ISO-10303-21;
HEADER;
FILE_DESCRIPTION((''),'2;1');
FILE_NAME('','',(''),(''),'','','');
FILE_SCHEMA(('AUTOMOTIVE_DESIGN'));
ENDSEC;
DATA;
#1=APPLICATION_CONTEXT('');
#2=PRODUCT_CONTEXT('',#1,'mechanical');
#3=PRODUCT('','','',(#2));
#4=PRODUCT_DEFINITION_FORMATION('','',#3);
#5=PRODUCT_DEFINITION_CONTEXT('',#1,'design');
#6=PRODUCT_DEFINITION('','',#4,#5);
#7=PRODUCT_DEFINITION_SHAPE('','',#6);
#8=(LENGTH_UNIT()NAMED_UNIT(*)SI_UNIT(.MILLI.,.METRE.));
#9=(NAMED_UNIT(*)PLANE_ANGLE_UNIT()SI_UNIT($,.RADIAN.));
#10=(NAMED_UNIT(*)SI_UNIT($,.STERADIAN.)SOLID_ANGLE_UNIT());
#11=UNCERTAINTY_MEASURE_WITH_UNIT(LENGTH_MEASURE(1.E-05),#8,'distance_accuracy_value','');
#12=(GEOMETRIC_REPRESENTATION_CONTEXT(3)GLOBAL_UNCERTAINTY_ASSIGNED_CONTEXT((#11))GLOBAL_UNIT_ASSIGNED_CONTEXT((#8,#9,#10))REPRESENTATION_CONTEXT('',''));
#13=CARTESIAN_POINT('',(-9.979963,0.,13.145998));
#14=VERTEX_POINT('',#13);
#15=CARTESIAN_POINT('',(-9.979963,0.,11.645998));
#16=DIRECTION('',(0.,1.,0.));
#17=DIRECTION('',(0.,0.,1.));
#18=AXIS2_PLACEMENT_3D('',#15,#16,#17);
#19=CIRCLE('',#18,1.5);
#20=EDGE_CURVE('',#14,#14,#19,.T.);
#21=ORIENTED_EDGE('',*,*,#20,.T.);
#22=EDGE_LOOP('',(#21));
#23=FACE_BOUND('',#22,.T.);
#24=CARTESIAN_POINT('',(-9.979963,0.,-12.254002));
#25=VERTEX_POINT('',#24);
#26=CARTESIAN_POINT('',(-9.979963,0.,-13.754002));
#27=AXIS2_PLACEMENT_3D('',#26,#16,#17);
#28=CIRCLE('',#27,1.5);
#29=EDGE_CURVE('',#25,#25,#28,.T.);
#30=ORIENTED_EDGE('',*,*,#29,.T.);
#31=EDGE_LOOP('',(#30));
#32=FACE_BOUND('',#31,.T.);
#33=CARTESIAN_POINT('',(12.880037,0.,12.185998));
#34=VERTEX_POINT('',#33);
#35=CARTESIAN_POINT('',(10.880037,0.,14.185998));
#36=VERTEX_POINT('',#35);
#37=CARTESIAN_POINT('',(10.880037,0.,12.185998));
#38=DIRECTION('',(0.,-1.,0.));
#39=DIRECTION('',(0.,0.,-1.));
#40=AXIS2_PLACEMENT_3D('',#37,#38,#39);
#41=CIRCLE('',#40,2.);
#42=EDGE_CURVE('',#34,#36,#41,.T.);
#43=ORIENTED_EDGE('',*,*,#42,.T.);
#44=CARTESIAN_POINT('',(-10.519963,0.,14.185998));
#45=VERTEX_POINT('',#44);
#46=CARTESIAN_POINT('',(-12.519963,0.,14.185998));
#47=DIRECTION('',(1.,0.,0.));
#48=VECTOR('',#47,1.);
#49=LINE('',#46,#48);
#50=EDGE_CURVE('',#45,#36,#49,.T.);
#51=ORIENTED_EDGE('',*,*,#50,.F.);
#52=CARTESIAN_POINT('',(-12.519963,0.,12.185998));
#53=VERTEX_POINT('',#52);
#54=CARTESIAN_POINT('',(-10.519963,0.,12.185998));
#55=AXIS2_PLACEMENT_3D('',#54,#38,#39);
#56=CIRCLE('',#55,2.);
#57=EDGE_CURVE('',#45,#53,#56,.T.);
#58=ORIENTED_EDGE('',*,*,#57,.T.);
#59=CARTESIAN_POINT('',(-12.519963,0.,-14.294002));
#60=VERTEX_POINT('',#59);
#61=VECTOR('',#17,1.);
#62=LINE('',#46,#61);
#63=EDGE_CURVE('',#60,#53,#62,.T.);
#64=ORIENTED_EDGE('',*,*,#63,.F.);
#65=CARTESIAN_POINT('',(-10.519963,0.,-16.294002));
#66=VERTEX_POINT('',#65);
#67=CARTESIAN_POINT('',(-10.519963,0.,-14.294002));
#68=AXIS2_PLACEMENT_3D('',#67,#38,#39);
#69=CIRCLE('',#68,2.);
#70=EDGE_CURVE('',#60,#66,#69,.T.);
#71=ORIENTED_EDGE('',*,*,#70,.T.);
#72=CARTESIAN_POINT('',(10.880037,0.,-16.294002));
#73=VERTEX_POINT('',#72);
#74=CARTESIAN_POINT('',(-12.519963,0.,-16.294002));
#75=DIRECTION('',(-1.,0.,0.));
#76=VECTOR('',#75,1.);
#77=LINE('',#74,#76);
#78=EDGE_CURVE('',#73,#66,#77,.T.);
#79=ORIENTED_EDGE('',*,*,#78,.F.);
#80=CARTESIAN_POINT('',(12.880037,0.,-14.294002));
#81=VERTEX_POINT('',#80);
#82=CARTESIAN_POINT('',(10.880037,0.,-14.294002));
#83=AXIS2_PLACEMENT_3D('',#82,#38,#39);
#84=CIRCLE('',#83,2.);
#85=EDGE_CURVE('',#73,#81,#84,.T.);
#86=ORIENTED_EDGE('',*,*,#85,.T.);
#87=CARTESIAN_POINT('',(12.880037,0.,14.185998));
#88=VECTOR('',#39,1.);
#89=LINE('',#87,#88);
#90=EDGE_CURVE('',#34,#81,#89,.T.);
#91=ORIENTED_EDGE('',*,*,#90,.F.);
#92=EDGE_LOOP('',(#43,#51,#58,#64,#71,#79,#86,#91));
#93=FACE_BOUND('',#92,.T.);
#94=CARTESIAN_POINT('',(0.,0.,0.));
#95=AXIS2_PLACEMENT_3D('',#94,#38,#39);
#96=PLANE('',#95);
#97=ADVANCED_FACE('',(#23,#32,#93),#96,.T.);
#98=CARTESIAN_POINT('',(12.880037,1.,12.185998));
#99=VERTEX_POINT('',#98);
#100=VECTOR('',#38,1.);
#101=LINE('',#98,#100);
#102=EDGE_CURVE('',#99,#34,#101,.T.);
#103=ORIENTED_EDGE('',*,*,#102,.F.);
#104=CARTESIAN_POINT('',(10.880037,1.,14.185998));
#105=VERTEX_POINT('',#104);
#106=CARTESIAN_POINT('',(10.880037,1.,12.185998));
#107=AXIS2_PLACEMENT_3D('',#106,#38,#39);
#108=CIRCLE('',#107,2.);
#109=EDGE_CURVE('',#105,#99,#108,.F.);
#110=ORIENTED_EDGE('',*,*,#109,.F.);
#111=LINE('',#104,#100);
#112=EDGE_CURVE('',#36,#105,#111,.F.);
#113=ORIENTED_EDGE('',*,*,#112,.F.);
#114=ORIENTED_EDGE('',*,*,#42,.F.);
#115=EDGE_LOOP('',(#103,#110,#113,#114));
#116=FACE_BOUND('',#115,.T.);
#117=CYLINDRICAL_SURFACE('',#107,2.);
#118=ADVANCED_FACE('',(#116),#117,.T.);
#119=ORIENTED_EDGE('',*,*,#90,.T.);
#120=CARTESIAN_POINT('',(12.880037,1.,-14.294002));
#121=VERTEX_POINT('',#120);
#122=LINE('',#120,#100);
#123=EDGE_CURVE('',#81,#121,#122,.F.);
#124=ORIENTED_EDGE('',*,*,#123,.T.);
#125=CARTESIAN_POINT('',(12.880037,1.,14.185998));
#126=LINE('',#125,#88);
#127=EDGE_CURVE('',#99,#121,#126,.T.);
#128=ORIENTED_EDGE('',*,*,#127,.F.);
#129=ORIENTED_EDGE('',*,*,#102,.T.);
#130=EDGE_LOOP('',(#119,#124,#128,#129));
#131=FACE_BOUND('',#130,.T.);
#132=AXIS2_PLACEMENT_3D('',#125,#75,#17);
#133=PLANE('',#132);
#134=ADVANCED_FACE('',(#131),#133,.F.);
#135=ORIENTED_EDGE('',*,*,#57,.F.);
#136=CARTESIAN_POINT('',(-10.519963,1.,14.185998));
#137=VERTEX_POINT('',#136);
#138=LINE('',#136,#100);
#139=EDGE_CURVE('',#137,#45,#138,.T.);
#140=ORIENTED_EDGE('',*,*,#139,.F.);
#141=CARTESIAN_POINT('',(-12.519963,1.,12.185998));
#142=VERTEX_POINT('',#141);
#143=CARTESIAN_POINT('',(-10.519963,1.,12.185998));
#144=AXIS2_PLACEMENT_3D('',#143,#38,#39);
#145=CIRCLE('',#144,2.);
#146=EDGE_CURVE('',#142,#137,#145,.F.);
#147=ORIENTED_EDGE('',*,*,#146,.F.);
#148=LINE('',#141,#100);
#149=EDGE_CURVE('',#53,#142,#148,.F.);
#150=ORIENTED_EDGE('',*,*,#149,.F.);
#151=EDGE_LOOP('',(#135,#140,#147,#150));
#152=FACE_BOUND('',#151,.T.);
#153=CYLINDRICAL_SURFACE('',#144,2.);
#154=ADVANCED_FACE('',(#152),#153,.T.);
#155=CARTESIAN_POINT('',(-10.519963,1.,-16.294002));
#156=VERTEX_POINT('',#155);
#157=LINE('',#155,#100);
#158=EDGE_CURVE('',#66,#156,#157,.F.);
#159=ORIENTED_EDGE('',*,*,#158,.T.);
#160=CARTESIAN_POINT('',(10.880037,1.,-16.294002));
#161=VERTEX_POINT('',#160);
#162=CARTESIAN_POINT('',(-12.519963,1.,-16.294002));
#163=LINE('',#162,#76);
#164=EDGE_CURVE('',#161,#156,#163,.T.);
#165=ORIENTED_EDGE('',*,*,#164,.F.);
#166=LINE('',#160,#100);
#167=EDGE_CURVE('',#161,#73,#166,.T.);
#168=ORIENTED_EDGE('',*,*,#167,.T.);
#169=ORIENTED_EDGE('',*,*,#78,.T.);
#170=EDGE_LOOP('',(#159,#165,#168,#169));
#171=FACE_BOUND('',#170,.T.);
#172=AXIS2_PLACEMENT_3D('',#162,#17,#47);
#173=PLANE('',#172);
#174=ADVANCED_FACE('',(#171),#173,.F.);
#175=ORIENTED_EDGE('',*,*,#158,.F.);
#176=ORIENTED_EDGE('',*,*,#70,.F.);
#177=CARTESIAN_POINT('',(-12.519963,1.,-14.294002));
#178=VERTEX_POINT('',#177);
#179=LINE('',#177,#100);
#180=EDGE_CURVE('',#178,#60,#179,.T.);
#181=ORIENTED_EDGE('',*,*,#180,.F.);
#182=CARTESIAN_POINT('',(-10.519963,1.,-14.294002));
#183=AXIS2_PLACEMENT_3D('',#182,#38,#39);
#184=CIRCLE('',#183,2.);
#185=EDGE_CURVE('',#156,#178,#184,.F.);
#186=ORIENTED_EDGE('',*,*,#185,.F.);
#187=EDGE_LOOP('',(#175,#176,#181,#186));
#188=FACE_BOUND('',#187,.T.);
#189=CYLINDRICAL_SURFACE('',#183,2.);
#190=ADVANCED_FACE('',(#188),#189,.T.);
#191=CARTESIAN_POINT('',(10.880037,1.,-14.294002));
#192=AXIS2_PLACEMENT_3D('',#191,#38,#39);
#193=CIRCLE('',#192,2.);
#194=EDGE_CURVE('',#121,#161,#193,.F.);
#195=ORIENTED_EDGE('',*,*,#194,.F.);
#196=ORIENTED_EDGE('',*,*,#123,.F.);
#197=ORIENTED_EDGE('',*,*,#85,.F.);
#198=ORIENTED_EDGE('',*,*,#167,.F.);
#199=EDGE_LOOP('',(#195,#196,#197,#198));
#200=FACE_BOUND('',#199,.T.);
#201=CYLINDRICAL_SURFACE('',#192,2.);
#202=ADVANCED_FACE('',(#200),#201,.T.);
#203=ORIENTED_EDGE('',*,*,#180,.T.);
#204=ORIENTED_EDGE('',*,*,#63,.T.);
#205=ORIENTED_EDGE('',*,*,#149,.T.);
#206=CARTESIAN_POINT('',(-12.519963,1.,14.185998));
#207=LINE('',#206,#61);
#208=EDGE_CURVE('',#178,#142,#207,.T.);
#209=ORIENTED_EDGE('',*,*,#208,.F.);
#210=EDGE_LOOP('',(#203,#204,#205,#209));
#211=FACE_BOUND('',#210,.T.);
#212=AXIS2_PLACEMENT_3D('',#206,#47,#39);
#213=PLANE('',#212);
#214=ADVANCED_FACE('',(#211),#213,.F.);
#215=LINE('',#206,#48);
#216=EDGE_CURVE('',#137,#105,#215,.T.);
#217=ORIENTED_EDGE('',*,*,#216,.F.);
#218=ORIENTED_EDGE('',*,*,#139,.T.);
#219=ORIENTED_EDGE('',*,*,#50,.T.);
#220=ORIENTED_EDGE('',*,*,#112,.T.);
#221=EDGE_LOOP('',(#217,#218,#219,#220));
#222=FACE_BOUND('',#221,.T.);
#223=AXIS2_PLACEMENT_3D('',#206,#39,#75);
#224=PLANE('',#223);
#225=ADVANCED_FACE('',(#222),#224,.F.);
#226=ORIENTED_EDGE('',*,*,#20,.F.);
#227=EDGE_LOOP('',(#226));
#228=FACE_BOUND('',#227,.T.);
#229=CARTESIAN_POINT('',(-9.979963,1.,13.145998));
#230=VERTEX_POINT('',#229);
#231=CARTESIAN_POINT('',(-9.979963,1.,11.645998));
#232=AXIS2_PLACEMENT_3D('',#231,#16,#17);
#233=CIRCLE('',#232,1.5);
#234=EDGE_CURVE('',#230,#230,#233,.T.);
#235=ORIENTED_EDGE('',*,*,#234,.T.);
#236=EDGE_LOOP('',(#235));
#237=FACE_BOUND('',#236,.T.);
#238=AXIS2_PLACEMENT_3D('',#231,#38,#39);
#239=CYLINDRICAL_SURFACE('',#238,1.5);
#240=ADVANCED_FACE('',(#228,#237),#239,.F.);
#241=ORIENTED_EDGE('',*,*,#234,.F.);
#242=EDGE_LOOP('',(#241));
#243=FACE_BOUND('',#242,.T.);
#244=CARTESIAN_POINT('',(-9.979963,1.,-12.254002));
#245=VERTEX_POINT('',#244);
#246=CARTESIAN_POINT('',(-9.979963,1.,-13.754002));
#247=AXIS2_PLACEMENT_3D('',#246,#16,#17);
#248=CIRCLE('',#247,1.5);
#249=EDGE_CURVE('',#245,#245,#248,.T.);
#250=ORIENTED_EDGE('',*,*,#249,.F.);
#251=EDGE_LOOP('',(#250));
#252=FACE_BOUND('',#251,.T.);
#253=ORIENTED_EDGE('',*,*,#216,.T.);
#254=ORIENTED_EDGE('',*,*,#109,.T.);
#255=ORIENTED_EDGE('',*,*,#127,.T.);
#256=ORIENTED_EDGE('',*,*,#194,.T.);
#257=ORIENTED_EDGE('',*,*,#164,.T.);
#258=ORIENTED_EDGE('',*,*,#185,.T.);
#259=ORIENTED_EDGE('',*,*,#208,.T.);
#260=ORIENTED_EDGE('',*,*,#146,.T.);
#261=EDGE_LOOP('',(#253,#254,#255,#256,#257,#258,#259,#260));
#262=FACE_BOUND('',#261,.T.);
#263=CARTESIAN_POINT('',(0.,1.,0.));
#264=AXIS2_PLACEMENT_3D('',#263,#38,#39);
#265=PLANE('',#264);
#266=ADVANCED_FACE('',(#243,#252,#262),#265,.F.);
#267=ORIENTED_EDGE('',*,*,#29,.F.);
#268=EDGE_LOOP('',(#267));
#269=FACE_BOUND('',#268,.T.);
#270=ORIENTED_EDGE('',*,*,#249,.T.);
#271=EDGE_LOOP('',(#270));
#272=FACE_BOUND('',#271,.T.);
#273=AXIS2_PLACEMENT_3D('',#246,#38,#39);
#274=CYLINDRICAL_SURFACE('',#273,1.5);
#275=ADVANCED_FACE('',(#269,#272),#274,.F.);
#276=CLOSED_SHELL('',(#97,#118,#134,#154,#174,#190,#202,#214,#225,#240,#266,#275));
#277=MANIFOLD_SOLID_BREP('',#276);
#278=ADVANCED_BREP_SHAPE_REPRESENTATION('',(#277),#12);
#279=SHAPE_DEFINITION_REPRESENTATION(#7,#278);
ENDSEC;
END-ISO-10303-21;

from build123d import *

# Parameters (mm, degrees)
SKETCH1_W           = 25.4
SKETCH1_H           = 30.48
SKETCH1_R           = 1.5
BOSS_EXTRUDE1_DEPTH = 1
FILLET1_R           = 2
FILLET2_R           = 2
FILLET3_R           = 2
FILLET4_R           = 2


with BuildPart() as part:
    # Sketch1 → Boss-Extrude1 (new body)
    with BuildSketch(Plane(origin=(0, 0, 0), x_dir=(1, 0, 0), z_dir=(0, 1, 0))):
        with Locations((0.180037034, 1.054001786)):
            Rectangle(SKETCH1_W, SKETCH1_H)
        with Locations((-9.979962966, 13.754001786)):
            Circle(SKETCH1_R, mode=Mode.SUBTRACT)
        with Locations((-9.979962966, -11.645998214)):
            Circle(SKETCH1_R, mode=Mode.SUBTRACT)
    extrude(amount=BOSS_EXTRUDE1_DEPTH)

    # Fillet1
    fillet1_edges = [part.edges().sort_by_distance(p)[0] for p in [
        (-12.519962966, 0.5, 14.185998214),
    ]]
    fillet(fillet1_edges, radius=FILLET1_R)

    # Fillet2
    fillet2_edges = [part.edges().sort_by_distance(p)[0] for p in [
        (12.880037034, 0.5, 14.185998214),
    ]]
    fillet(fillet2_edges, radius=FILLET2_R)

    # Fillet3
    fillet3_edges = [part.edges().sort_by_distance(p)[0] for p in [
        (12.880037034, 0.5, -16.294001786),
    ]]
    fillet(fillet3_edges, radius=FILLET3_R)

    # Fillet4
    fillet4_edges = [part.edges().sort_by_distance(p)[0] for p in [
        (-12.519962966, 0.5, -16.294001786),
    ]]
    fillet(fillet4_edges, radius=FILLET4_R)


solid = part.part
